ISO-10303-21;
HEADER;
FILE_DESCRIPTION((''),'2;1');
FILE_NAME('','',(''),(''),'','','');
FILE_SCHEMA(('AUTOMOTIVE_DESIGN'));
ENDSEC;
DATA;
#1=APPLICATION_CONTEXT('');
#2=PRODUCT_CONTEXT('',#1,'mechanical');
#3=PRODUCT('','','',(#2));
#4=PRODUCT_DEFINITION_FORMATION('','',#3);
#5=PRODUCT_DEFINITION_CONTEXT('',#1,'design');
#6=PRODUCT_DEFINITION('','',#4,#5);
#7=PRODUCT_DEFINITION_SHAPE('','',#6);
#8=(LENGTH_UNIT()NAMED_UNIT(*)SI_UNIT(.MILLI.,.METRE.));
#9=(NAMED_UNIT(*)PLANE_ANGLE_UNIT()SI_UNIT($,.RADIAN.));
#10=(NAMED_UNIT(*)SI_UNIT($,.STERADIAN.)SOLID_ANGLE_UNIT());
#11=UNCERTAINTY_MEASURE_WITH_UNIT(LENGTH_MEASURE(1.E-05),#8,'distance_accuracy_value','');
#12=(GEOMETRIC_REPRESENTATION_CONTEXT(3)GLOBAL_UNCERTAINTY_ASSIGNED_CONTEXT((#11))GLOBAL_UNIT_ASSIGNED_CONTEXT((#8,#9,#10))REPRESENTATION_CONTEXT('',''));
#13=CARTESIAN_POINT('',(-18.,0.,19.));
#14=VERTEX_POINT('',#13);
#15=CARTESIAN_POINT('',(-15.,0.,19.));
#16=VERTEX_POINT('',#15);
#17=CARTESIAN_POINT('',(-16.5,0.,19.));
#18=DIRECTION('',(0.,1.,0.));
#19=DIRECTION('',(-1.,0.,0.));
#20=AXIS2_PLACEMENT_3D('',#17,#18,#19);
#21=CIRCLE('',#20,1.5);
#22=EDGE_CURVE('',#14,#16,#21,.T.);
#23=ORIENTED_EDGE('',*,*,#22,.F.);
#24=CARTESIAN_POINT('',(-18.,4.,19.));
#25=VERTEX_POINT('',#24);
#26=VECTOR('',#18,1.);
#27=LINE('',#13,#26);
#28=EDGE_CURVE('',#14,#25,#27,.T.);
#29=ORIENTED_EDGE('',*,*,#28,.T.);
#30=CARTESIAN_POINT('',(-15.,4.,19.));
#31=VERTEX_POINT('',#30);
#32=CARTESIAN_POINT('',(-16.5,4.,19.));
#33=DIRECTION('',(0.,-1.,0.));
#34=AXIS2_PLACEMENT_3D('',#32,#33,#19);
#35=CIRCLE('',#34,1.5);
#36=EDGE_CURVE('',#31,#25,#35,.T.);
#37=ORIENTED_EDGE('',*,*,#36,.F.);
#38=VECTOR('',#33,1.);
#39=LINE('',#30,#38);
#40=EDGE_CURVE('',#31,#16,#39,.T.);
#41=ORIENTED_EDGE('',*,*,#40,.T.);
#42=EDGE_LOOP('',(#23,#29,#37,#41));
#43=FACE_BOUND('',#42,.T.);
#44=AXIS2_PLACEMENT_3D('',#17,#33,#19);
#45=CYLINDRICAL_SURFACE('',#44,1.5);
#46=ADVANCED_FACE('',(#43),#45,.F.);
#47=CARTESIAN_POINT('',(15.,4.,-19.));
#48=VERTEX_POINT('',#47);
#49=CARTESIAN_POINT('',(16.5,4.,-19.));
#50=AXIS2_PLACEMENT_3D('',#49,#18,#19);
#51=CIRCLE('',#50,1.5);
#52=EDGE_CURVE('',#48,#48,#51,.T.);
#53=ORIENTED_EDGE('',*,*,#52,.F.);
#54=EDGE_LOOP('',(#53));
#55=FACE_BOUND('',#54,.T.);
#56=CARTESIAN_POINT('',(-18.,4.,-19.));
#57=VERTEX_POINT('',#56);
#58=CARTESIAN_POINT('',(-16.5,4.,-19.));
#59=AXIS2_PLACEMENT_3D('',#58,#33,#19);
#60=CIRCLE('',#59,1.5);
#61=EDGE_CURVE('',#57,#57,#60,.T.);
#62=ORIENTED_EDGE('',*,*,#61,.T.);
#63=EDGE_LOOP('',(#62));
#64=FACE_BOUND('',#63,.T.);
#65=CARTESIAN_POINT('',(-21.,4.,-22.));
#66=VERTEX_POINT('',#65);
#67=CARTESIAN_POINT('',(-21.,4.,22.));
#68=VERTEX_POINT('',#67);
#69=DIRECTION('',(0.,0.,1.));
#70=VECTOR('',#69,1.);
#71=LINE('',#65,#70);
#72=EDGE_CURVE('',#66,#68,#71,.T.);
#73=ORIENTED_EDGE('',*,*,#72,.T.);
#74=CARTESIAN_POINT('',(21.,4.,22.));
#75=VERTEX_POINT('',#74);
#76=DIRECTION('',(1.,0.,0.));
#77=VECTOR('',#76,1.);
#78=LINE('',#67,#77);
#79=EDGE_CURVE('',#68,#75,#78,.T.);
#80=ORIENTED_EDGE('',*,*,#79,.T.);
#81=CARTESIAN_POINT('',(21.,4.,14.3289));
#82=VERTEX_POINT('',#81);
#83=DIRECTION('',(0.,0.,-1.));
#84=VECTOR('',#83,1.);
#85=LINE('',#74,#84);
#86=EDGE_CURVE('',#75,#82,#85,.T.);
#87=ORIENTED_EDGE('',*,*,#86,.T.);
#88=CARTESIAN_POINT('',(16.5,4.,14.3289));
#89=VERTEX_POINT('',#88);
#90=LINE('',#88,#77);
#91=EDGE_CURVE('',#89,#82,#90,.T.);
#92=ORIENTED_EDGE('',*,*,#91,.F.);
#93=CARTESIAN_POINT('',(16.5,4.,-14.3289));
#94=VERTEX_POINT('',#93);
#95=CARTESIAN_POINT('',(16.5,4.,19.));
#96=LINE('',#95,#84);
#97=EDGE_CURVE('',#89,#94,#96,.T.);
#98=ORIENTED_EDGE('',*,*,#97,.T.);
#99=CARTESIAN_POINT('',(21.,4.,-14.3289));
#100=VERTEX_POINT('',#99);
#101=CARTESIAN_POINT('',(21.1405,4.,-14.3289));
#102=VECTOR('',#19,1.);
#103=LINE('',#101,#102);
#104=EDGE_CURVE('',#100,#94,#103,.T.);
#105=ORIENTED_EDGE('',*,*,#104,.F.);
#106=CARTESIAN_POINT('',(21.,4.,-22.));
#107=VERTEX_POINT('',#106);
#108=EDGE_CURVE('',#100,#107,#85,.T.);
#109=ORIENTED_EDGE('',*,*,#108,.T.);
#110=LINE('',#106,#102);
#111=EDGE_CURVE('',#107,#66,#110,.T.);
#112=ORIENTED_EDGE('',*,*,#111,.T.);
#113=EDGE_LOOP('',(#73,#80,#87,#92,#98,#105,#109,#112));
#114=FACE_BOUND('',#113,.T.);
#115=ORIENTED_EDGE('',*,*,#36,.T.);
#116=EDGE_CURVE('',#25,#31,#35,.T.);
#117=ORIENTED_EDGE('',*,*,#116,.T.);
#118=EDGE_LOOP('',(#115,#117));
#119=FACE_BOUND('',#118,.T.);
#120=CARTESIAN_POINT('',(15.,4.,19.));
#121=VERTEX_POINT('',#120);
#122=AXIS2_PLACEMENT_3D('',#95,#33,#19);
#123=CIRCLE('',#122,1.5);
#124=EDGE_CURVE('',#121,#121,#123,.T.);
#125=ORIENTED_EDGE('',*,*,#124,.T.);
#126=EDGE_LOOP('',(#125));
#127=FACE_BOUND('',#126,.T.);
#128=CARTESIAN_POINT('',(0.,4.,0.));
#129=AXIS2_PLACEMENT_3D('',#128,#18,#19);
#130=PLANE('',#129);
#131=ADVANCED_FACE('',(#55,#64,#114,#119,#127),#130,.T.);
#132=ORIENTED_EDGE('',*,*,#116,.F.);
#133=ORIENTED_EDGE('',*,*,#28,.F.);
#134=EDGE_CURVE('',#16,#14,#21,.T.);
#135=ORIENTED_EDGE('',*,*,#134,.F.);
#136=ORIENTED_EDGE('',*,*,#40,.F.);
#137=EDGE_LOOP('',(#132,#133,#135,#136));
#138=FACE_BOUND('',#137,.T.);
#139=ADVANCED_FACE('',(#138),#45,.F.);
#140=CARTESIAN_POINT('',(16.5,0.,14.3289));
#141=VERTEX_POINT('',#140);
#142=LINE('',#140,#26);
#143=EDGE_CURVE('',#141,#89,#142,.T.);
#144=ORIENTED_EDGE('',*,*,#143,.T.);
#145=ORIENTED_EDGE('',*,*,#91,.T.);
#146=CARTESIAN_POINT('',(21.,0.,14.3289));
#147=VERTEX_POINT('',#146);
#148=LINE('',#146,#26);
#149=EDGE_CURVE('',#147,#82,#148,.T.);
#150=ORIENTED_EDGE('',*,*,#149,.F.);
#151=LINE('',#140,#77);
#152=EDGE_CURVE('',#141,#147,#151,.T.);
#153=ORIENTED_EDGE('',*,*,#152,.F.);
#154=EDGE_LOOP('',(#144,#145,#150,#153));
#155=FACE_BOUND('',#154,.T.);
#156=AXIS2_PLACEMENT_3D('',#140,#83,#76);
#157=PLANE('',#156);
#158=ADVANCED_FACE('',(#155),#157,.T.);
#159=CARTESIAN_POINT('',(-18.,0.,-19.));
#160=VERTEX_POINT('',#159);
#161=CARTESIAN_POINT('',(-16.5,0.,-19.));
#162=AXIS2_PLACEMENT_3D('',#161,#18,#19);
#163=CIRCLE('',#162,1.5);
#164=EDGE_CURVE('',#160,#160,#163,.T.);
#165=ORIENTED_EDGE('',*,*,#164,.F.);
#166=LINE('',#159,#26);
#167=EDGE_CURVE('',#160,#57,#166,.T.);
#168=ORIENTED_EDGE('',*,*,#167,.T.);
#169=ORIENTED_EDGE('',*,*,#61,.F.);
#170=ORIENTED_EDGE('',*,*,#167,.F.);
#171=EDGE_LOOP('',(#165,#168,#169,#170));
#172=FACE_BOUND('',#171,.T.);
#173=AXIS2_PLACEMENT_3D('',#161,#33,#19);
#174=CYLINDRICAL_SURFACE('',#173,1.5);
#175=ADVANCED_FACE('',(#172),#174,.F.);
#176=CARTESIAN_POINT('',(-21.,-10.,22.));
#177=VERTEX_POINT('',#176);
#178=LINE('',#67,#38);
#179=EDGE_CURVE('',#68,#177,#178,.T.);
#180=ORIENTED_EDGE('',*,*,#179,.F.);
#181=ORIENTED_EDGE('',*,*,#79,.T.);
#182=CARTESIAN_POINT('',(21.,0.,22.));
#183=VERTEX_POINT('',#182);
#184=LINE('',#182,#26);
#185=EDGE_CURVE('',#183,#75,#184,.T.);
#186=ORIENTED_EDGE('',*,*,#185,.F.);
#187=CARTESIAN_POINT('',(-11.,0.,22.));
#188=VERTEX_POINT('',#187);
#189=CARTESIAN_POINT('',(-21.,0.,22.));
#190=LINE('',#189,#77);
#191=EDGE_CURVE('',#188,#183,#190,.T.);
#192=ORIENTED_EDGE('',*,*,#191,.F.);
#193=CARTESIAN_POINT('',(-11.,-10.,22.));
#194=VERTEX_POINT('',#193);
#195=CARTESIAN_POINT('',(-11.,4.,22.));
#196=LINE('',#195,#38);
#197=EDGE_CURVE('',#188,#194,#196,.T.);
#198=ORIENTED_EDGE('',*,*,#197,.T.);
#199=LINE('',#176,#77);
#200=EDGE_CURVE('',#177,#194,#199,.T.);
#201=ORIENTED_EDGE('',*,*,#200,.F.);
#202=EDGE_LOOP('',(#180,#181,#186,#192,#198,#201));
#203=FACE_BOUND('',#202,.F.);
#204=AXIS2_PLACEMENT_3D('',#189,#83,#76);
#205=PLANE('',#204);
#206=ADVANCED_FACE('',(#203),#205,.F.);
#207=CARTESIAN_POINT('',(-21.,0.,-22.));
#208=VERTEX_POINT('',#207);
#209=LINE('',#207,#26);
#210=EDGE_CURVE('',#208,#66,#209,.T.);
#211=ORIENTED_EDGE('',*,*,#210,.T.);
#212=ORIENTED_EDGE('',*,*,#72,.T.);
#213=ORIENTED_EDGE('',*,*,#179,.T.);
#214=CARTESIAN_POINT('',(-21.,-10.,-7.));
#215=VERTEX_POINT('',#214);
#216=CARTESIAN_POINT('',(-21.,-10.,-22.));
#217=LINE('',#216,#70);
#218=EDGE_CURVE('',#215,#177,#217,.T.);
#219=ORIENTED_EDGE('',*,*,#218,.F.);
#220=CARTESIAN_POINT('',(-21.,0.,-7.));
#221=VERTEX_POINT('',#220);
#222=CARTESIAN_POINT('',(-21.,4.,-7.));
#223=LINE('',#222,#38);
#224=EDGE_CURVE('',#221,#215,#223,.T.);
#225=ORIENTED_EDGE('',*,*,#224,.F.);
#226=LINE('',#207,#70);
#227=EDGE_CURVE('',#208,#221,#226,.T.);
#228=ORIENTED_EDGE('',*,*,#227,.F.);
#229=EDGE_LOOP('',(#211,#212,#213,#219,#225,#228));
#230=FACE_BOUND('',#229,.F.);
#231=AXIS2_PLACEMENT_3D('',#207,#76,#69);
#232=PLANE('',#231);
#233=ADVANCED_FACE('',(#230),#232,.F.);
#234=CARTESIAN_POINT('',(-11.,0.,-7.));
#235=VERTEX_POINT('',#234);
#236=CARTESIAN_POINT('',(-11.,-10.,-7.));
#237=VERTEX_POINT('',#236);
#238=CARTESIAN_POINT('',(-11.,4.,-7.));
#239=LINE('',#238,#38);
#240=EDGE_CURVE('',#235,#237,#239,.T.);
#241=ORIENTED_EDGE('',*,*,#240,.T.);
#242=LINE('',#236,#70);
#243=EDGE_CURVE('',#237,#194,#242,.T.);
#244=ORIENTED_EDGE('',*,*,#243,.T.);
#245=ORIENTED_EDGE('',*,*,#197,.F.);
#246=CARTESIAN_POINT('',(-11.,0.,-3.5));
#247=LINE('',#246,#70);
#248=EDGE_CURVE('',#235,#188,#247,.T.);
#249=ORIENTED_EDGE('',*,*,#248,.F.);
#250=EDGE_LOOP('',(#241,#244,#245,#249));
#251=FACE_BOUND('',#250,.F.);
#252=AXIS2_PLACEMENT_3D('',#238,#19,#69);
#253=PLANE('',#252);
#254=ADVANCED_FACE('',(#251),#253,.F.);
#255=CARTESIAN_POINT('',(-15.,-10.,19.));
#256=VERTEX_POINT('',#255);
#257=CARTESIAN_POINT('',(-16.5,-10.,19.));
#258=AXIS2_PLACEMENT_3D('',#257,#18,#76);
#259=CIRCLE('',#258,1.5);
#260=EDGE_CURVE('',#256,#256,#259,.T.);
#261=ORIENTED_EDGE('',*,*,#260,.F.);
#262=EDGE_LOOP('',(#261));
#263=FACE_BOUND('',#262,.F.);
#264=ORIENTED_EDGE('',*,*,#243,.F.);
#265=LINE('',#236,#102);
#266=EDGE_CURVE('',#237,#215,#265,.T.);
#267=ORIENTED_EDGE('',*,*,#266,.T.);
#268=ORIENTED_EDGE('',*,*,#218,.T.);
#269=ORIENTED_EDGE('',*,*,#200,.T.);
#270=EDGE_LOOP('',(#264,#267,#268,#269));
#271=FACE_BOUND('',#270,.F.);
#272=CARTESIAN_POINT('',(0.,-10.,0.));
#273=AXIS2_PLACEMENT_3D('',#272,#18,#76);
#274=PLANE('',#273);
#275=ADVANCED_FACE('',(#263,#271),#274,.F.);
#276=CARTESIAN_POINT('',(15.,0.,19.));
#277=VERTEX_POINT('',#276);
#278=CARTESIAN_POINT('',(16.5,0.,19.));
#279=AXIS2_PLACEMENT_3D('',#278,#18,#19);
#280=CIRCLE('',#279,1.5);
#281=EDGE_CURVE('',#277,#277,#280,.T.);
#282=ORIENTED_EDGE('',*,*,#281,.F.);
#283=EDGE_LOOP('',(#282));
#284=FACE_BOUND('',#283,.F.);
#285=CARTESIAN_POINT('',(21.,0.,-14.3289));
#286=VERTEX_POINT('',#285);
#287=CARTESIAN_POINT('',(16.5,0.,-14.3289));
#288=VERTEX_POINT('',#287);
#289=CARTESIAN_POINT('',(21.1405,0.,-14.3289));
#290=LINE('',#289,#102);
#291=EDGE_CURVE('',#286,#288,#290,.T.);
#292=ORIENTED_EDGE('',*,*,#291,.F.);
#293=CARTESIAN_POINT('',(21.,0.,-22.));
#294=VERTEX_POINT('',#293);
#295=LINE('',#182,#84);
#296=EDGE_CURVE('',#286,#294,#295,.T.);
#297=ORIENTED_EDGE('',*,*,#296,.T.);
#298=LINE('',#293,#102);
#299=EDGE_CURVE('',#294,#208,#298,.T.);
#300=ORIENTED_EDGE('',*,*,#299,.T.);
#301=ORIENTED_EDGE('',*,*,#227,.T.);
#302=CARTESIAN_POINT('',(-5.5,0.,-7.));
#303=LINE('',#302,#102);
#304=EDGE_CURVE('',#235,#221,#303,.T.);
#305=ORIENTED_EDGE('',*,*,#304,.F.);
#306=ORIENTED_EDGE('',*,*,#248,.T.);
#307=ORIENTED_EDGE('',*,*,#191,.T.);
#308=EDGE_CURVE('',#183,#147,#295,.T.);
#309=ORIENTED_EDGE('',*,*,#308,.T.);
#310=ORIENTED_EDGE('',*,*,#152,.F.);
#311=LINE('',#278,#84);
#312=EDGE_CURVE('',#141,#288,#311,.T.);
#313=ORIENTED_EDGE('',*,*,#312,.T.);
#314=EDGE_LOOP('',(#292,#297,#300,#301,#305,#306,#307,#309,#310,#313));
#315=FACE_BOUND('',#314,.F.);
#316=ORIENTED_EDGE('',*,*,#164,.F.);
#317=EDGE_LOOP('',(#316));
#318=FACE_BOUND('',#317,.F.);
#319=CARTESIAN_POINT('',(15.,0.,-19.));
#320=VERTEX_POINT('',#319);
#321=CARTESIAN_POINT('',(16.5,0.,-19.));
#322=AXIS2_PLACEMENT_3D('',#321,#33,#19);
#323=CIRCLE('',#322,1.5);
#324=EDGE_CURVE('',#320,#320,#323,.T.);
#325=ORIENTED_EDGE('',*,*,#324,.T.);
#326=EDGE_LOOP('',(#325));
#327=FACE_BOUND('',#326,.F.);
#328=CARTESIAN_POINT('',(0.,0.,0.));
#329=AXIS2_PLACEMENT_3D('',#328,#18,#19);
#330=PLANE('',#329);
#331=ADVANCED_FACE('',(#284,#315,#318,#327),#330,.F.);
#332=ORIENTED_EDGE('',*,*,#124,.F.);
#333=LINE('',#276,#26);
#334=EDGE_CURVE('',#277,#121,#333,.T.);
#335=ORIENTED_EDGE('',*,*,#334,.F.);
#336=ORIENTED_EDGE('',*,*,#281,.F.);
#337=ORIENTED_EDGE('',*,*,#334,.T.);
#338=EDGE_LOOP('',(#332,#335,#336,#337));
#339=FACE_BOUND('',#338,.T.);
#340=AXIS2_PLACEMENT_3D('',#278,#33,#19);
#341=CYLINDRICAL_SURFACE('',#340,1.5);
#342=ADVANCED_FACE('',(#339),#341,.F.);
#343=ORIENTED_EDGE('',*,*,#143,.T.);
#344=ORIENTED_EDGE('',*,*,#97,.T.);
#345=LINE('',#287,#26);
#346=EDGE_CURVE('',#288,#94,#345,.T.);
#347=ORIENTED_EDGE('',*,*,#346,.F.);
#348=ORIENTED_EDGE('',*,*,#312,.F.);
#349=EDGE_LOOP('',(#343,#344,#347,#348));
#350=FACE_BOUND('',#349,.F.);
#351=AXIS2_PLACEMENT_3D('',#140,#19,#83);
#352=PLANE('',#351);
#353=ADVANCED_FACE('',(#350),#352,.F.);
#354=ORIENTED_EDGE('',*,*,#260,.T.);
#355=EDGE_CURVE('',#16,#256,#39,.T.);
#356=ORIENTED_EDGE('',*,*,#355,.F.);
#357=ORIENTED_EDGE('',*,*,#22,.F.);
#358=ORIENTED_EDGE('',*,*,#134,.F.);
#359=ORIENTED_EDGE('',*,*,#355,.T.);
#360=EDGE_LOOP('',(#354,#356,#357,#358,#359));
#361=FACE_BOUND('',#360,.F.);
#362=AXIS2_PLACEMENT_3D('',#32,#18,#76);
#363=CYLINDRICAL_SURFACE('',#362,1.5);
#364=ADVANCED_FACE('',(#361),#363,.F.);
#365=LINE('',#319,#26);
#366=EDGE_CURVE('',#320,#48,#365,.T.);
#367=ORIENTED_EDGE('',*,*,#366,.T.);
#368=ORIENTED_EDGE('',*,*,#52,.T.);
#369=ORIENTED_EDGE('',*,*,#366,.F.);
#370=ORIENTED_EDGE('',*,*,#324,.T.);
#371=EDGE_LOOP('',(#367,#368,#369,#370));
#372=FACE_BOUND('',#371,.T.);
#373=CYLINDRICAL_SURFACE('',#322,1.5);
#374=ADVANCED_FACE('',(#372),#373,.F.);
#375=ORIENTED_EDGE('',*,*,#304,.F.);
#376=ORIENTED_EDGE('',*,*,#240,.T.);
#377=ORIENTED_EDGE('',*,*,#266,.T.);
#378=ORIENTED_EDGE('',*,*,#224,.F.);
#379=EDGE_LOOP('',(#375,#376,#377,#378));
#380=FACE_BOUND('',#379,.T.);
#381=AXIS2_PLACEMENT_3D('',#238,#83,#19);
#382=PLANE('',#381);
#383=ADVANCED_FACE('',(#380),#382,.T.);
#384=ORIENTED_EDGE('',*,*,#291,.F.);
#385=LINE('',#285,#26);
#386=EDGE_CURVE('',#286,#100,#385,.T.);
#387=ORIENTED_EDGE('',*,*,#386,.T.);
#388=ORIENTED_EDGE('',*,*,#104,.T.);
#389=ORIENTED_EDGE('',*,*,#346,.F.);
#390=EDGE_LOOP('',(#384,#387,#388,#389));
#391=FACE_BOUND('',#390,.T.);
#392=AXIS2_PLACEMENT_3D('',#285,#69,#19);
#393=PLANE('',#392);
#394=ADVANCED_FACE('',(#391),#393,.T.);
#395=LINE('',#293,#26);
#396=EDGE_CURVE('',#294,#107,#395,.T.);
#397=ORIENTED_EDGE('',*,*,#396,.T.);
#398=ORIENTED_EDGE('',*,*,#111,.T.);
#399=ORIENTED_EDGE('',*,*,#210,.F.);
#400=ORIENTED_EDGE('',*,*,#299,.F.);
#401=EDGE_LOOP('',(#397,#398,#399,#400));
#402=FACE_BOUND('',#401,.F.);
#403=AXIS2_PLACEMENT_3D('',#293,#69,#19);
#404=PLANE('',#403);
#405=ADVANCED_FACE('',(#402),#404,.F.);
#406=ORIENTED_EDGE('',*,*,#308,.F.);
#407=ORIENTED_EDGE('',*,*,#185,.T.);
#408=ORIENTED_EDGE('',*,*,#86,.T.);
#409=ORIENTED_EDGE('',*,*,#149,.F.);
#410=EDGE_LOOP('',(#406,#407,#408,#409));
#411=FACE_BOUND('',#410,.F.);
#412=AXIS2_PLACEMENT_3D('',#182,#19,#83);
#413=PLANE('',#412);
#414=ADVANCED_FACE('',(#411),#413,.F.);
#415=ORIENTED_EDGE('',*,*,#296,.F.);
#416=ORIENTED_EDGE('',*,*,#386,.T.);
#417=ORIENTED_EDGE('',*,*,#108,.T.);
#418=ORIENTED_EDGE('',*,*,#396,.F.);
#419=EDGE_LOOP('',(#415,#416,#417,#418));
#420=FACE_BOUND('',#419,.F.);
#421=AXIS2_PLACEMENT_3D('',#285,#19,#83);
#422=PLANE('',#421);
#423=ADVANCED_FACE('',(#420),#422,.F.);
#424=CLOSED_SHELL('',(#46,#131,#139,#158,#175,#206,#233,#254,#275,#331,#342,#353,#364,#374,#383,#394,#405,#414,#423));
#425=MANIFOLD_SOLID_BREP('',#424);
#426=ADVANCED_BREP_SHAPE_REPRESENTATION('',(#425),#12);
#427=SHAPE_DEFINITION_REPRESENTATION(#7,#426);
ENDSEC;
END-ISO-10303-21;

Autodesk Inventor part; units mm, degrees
ref_plane "YZ Plane" through (0, 0, 0) normal (1, 0, 0) x (0, 1, 0)
ref_plane "XZ Plane" through (0, 0, 0) normal (0, 1, 0) x (-1, 0, 0)
ref_plane "XY Plane" through (0, 0, 0) normal (0, 0, 1) x (1, 0, 0)
sketch "Эскиз1" plane through (0, 0, 0) normal (0, 1, 0) x (-1, 0, 0)
  line L0 (-16.5, -19) -> (16.5, -19)
  line L1 (16.5, -19) -> (16.5, 19)
  line L2 (16.5, 19) -> (-16.5, 19)
  line L3 (-16.5, 19) -> (-16.5, -19)
  line L4 (-16.5, -19) -> (16.5, 19) construction
  line L5 (16.5, -19) -> (-16.5, 19) construction
  circle A0 centre (16.5, 19) radius 1.5
  circle A1 centre (-16.5, 19) radius 1.5
  circle A2 centre (16.5, -19) radius 1.5
  circle A3 centre (-16.5, -19) radius 1.5
  line L6 (-21, -22) -> (21, -22)
  line L7 (21, -22) -> (21, 22)
  line L8 (21, 22) -> (-21, 22)
  line L9 (-21, 22) -> (-21, -22)
  line L10 (-21, -22) -> (21, 22) construction
  line L11 (21, -22) -> (-21, 22) construction
  line L12 (-21.1405, -14.3289) -> (-16.5, -14.3289)
  line L13 (-16.5, -14.3289) -> (-16.5, 14.3289)
  line L14 (-16.5, 14.3289) -> (-21.1405, 14.3289)
  line L15 (-21.1405, 14.3289) -> (-21.1405, -14.3289)
  line L16 (-21.1405, -14.3289) -> (-16.5, 14.3289) construction
  line L17 (-16.5, -14.3289) -> (-21.1405, 14.3289) construction
  point P0 (0, 0)
  point P1 (-18.8203, 0)
  point P2 (-21, -14.3289)
  point P3 (-21, 14.3289)
  dimension "d0" = 38
  dimension "d1" = 33
  dimension "d2" = 3
  dimension "d3" = 44
  dimension "d4" = 42
extrude "Выдавливание1" add sketch "Эскиз1" along normal blind 4 contours A3 L3 A1 L2 A0 L1 A2 L0 | L0 A2 L1 A0 L2 A1 L3 L14 L9 L8 L7 L6 L12 A3
sketch "Эскиз2" plane through (0, 4, 0) normal (0, 1, 0) x (1, 0, 0)
  line L0 (-21, 22) -> (-21, -22) projected
  line L1 (-21, 22) -> (-11, 22)
  line L2 (-11, 22) -> (-11, 7)
  line L3 (-11, 7) -> (-21, 7)
  line L4 (-21, 7) -> (-21, 22)
  line L5 (-21, -22) -> (21, -22) projected
  line L6 (-21, 7) -> (-11, 7)
  line L7 (-11, 7) -> (-11, -22)
  line L8 (-11, -22) -> (-21, -22)
  line L9 (-21, -22) -> (-21, 7)
  circle A0 centre (-16.5, -19) radius 1.5 projected
  point P0 (0, 0)
  dimension "d7" = 15
  dimension "d8" = 10
extrude "Выдавливание2" add sketch "Эскиз2" against normal blind 14 contours L3 L7 L5 L0
properties part number "экран кати"
